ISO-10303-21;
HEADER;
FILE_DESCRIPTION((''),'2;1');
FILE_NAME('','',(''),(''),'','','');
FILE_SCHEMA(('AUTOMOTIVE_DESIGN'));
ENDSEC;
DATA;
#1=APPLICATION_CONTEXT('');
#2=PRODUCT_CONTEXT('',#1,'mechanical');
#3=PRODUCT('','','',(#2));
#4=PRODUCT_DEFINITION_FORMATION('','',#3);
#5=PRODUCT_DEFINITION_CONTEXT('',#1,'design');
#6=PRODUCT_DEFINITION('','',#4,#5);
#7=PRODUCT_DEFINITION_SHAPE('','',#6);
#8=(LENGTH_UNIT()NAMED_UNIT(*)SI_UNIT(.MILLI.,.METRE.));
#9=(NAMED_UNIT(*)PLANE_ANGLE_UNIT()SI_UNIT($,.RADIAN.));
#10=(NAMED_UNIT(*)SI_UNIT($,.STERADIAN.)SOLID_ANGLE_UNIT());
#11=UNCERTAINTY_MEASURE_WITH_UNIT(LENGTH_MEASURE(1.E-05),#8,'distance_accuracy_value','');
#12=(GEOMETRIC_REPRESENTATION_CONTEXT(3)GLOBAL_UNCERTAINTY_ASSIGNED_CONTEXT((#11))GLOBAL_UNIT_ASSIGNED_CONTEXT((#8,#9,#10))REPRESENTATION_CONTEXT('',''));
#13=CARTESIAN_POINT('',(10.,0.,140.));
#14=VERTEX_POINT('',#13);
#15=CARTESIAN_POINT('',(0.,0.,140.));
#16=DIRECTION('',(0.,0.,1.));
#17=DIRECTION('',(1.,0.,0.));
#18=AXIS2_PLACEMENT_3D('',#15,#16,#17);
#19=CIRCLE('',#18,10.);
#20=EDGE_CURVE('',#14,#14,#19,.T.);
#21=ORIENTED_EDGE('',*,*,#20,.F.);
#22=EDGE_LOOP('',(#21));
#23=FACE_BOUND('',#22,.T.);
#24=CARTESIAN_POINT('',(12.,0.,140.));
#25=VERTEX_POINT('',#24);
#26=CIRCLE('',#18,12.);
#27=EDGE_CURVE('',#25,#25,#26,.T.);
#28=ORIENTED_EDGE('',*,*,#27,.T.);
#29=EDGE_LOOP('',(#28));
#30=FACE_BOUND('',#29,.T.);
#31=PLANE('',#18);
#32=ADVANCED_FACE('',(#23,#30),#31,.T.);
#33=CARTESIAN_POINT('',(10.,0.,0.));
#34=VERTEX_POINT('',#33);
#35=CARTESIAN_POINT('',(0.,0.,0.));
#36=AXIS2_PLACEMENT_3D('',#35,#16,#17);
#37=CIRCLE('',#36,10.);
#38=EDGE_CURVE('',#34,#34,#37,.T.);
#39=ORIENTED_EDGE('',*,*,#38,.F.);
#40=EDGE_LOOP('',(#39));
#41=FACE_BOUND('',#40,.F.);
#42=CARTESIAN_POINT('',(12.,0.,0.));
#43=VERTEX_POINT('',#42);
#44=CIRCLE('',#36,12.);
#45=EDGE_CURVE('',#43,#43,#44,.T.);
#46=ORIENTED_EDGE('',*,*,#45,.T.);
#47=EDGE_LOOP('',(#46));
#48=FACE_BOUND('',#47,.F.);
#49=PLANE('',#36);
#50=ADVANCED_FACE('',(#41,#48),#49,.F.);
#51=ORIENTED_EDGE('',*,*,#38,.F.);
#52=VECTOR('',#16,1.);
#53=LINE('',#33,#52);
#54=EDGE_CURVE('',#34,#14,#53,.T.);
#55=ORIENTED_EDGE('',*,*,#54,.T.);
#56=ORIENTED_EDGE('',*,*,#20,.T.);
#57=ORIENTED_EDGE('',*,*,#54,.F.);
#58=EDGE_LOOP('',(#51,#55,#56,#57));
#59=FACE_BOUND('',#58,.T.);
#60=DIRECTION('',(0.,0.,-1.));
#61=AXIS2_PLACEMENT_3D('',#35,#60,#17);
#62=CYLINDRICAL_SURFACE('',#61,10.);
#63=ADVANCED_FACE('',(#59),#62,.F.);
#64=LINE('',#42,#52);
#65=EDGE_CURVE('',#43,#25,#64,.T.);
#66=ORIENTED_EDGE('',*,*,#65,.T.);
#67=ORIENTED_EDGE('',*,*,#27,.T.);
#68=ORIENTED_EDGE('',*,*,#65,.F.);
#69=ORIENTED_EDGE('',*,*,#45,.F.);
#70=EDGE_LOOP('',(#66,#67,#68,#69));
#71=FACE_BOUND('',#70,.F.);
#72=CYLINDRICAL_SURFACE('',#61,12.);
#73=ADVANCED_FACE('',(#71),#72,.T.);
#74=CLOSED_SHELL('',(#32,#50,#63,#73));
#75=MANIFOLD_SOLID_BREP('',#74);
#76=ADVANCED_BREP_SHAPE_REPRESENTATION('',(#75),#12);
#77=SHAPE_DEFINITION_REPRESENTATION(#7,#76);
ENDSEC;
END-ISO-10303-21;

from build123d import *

# Parameters (mm, degrees)
SCHIZZO1_R                   = 12
SCHIZZO1_R_2                 = 10
ESTRUSIONE_ESTRUSIONE1_DEPTH = 140


with BuildPart() as part:
    # Schizzo1 → Estrusione-Estrusione1 (new body)
    with BuildSketch(Plane.XY):
        Circle(SCHIZZO1_R)
        Circle(SCHIZZO1_R_2, mode=Mode.SUBTRACT)
    extrude(amount=ESTRUSIONE_ESTRUSIONE1_DEPTH)


solid = part.part
